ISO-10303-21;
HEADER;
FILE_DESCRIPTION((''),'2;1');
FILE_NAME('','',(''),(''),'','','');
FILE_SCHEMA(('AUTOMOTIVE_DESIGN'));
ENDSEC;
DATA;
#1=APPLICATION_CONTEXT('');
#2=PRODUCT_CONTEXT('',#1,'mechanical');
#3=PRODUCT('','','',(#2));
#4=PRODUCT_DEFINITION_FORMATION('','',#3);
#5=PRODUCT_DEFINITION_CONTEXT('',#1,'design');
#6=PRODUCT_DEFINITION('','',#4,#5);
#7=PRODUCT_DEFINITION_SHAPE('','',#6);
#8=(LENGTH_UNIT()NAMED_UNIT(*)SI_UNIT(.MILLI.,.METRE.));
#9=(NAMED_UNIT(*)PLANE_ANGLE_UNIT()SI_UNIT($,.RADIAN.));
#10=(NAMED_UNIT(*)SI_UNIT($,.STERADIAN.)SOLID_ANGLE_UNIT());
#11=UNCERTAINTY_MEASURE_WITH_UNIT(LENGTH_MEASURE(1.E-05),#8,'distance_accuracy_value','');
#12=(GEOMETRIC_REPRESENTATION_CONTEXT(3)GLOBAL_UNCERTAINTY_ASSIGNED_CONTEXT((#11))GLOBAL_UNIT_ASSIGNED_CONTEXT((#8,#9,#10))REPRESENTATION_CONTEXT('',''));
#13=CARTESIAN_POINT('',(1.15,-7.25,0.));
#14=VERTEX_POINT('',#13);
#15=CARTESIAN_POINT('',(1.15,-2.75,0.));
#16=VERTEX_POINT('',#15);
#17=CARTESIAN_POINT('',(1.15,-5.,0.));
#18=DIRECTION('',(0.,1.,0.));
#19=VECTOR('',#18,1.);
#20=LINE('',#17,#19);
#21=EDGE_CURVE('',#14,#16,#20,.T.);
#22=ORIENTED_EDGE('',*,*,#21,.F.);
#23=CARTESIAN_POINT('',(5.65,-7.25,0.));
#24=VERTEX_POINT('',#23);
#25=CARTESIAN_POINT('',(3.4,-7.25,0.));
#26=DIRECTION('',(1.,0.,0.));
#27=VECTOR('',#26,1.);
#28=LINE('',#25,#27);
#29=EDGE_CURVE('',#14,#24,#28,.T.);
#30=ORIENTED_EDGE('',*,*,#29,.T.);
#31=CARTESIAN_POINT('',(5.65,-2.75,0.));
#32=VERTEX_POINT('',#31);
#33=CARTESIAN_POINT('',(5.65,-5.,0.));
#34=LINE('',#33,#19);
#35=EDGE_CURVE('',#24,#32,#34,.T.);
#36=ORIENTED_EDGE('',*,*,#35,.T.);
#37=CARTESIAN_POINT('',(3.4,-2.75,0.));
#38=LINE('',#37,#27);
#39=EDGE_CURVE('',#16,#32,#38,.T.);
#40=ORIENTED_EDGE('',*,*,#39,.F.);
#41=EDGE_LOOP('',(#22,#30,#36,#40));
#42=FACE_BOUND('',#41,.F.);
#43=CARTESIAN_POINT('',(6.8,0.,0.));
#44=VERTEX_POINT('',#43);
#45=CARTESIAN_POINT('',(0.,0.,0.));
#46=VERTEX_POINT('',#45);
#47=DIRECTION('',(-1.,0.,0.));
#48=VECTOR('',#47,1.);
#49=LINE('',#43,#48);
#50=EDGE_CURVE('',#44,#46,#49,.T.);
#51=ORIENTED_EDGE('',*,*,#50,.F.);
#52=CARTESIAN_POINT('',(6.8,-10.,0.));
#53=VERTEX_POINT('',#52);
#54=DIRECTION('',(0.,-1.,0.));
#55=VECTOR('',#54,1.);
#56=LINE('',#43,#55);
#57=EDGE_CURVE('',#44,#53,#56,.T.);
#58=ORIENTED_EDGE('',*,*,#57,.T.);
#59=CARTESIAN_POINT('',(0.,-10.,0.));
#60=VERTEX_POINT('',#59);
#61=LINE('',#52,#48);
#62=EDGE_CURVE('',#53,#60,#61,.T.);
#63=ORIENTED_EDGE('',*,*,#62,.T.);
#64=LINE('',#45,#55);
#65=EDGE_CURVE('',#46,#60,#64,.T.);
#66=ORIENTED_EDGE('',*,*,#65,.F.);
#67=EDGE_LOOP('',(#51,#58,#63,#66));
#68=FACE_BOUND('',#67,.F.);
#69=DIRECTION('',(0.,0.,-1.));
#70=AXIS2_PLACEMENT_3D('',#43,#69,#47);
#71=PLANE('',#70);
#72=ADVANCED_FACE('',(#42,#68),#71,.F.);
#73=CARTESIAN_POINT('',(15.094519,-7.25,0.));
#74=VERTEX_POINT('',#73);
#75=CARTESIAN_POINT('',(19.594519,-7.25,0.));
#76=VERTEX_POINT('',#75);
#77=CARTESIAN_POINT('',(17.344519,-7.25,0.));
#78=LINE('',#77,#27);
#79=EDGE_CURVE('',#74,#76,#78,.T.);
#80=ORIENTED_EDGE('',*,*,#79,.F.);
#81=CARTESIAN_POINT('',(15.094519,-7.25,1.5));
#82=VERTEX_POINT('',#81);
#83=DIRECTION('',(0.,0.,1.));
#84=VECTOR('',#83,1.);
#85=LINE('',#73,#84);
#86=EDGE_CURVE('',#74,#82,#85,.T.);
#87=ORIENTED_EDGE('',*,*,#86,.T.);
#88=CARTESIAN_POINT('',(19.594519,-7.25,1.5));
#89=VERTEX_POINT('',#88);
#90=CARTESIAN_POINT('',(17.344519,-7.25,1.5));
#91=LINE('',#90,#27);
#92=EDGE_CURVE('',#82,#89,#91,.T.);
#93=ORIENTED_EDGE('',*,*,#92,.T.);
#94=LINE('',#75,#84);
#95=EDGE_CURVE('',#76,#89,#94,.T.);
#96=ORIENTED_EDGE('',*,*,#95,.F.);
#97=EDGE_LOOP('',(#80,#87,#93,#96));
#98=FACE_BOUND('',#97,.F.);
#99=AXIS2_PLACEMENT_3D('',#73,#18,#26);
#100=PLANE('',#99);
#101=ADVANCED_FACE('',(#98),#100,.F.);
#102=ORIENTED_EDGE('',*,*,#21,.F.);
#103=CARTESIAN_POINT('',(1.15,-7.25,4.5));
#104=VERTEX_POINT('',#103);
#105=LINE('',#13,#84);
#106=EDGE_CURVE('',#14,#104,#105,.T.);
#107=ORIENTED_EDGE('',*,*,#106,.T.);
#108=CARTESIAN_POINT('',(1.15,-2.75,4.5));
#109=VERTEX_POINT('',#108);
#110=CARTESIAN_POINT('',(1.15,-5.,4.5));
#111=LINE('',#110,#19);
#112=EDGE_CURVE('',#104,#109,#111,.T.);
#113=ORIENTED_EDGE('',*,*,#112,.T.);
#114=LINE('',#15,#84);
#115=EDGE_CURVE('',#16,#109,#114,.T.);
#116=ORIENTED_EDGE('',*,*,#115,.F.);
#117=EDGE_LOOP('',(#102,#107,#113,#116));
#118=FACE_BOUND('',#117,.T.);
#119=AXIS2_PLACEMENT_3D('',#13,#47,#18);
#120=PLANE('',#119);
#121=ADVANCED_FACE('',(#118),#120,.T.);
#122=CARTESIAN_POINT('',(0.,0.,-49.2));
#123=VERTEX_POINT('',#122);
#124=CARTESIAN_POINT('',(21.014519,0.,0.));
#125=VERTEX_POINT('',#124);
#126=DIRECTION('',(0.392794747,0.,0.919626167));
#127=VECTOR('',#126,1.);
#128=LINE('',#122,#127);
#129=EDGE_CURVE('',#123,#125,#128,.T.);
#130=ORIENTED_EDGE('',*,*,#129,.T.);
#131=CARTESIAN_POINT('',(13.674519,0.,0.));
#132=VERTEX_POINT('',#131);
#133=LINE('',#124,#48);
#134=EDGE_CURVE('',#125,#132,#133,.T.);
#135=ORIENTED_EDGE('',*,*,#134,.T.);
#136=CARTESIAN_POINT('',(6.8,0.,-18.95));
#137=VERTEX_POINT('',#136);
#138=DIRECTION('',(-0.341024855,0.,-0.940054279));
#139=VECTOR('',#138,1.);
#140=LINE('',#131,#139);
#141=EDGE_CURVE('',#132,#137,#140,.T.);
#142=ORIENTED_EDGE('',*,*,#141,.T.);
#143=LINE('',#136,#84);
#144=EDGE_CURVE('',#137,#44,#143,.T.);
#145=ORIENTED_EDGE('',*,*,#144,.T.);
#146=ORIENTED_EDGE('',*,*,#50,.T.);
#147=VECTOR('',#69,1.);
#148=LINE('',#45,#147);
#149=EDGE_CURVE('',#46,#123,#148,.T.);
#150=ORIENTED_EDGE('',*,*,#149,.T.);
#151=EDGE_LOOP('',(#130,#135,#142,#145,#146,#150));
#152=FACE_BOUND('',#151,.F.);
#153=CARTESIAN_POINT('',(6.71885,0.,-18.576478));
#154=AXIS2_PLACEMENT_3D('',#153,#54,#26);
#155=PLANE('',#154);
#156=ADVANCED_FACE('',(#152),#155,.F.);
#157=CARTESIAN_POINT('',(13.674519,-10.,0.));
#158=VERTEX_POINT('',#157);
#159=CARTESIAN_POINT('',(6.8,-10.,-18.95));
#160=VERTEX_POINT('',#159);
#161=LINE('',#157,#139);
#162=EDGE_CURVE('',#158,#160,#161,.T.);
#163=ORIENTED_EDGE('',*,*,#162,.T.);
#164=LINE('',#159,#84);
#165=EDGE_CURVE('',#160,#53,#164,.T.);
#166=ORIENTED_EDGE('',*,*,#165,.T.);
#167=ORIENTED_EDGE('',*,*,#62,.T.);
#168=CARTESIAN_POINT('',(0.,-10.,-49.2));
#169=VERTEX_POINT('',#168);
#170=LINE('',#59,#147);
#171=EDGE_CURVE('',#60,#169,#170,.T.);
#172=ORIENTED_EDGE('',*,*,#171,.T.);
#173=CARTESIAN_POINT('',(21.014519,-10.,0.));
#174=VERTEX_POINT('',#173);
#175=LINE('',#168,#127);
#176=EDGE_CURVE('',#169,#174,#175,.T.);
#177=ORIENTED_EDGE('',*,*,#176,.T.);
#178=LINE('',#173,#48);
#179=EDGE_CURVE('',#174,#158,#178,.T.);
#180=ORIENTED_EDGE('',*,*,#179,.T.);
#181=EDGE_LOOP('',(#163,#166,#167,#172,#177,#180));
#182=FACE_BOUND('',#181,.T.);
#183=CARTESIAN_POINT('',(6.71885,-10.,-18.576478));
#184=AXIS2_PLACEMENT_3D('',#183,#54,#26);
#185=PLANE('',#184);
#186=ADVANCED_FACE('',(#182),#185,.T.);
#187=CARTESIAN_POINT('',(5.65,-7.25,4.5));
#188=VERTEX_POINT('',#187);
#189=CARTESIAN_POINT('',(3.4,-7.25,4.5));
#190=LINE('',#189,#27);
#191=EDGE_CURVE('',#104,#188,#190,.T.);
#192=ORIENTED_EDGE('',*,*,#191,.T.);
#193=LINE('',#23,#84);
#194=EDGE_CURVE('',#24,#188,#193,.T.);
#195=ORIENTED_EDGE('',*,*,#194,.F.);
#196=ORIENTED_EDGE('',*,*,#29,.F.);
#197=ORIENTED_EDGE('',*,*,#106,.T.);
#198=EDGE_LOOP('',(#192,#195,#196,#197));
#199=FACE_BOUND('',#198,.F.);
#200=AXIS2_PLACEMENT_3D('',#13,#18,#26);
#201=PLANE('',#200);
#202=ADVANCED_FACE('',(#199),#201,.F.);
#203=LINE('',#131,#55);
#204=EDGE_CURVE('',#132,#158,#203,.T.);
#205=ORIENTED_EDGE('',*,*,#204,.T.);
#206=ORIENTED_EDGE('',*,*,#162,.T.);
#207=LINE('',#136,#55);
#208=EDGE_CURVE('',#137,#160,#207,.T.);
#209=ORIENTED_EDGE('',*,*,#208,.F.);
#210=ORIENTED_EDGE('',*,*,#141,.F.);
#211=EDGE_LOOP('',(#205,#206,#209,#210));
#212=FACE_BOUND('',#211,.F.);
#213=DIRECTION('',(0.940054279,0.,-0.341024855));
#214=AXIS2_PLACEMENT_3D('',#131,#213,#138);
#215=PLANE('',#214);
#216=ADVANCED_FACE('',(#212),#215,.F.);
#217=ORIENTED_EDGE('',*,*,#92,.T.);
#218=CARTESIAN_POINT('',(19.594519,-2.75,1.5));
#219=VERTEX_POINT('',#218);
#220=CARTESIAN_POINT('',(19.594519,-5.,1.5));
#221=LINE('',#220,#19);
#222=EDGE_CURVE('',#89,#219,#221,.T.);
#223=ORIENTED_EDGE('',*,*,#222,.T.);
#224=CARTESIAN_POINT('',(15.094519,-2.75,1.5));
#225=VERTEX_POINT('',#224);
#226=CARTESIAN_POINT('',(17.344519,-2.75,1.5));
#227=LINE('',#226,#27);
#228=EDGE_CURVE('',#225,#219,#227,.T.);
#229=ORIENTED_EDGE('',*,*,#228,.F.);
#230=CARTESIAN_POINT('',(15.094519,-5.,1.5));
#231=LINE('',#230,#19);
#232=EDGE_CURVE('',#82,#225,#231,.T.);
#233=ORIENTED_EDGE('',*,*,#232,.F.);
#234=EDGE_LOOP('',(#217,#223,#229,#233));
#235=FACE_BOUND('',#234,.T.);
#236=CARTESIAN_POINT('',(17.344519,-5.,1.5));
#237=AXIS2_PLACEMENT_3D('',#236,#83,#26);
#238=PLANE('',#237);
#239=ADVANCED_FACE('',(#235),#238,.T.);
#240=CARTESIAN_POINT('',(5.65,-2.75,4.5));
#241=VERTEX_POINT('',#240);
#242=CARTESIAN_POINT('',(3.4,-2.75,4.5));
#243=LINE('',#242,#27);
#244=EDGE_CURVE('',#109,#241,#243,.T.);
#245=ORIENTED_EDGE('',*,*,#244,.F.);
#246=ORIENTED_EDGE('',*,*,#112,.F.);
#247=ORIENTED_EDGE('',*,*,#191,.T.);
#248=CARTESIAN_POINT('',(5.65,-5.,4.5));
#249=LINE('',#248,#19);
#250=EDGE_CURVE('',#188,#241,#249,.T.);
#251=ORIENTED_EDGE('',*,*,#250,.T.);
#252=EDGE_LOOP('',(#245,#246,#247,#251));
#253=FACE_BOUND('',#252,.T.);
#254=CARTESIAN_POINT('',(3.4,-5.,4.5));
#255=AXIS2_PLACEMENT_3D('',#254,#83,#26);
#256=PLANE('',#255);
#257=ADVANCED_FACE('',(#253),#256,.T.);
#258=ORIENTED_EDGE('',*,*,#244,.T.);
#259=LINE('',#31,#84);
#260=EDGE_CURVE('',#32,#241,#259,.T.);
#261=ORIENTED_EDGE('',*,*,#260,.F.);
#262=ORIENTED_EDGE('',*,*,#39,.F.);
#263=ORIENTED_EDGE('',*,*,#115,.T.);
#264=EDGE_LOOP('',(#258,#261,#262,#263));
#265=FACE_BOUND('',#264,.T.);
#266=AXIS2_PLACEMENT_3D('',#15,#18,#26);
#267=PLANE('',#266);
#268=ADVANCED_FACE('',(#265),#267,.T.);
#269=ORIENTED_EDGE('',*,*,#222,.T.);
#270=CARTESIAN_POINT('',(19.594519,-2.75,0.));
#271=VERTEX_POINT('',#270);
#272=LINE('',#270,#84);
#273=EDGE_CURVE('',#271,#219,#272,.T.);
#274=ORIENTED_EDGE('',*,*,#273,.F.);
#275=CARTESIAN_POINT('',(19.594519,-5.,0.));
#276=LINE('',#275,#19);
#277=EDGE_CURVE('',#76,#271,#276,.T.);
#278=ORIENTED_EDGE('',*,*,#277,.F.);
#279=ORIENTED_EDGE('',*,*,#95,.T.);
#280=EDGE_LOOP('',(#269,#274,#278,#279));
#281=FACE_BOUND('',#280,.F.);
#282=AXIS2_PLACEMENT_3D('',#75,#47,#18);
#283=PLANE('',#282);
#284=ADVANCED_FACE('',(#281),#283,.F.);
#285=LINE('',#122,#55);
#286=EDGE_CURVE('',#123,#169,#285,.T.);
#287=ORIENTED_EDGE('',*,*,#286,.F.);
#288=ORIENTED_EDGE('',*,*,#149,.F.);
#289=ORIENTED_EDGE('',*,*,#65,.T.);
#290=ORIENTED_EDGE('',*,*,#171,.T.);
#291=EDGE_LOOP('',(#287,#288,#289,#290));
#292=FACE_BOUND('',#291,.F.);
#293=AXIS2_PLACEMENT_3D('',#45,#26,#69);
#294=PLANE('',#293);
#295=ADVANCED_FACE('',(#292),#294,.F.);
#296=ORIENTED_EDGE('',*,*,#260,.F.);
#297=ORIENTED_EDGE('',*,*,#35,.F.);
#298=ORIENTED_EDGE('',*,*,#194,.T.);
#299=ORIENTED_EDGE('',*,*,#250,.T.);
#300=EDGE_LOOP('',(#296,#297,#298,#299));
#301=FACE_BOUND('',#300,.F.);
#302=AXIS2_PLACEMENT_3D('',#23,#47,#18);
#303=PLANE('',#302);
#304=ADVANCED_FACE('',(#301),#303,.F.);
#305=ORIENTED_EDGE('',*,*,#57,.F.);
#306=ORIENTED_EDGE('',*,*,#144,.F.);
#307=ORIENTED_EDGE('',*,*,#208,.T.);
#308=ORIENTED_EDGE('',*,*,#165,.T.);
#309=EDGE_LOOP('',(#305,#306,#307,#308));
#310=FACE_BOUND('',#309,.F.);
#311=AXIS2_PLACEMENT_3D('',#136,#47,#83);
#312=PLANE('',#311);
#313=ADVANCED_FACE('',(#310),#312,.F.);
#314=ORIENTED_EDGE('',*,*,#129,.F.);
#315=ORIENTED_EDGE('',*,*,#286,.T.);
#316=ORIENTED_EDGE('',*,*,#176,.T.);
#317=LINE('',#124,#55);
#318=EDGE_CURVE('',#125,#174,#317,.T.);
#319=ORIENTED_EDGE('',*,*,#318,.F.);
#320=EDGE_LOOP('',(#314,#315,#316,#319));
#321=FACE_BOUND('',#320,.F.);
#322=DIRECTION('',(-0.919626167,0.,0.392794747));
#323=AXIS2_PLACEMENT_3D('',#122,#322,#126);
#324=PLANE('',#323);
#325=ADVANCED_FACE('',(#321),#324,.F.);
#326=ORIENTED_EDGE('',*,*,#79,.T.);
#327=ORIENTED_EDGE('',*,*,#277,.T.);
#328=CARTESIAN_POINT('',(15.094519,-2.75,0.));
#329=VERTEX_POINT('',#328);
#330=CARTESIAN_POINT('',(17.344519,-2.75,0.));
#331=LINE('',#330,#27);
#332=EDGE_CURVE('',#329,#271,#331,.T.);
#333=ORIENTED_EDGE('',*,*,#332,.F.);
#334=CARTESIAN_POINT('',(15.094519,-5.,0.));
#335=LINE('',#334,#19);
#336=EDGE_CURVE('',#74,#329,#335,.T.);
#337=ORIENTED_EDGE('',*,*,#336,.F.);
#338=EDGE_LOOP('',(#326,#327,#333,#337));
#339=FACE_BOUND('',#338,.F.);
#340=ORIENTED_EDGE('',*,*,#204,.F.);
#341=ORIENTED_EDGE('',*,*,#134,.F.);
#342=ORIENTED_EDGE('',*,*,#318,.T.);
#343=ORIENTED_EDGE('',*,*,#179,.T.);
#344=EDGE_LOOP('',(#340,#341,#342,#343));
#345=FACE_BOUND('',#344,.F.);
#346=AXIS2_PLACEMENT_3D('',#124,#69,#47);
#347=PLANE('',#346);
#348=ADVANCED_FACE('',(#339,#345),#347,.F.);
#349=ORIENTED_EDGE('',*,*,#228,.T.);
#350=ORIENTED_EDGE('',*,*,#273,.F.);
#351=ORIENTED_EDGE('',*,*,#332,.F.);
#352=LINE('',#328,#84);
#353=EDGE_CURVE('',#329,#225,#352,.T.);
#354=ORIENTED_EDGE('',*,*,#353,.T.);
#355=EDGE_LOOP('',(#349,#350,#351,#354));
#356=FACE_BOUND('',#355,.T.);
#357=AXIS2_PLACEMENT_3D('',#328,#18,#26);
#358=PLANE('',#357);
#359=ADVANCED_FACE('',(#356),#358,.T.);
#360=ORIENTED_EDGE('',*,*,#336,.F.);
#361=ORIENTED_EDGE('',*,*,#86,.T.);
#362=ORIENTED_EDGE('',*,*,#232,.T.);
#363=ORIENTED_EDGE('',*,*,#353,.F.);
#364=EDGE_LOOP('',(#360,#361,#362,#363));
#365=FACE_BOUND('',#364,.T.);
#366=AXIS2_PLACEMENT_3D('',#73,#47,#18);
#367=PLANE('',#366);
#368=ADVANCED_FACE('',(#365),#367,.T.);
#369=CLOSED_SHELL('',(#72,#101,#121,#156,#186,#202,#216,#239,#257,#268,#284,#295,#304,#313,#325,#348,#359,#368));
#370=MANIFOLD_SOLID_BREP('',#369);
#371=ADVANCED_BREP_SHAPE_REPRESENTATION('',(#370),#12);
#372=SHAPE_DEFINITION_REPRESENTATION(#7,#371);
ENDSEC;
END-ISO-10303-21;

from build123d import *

# Parameters (mm, degrees)
F1_DEPTH = 10
F2_W     = 4.5
F2_H     = 4.5
F3_DEPTH = 4.5
F4_W     = 4.5
F4_H     = 4.5
F5_DEPTH = 1.5


with BuildPart() as f1:
    # F0 (on Front) → F1 (new body)
    with BuildSketch(Plane.XZ):
        Polygon((6.8, 0), (0, 0), (0, -49.2), (21.014519, 0), (13.674519, 0), (6.8, -18.95), align=None)
    extrude(amount=F1_DEPTH)

    # F2 (on face) → F3 (join)
    with BuildSketch(Plane.XY):
        with Locations((3.4, -5)):
            Rectangle(F2_W, F2_H)
    extrude(amount=F3_DEPTH)

    # F4 (on face) → F5 (join)
    with BuildSketch(Plane.XY):
        with Locations((17.344519, -5)):
            Rectangle(F4_W, F4_H)
    extrude(amount=F5_DEPTH)


solid = f1.part
